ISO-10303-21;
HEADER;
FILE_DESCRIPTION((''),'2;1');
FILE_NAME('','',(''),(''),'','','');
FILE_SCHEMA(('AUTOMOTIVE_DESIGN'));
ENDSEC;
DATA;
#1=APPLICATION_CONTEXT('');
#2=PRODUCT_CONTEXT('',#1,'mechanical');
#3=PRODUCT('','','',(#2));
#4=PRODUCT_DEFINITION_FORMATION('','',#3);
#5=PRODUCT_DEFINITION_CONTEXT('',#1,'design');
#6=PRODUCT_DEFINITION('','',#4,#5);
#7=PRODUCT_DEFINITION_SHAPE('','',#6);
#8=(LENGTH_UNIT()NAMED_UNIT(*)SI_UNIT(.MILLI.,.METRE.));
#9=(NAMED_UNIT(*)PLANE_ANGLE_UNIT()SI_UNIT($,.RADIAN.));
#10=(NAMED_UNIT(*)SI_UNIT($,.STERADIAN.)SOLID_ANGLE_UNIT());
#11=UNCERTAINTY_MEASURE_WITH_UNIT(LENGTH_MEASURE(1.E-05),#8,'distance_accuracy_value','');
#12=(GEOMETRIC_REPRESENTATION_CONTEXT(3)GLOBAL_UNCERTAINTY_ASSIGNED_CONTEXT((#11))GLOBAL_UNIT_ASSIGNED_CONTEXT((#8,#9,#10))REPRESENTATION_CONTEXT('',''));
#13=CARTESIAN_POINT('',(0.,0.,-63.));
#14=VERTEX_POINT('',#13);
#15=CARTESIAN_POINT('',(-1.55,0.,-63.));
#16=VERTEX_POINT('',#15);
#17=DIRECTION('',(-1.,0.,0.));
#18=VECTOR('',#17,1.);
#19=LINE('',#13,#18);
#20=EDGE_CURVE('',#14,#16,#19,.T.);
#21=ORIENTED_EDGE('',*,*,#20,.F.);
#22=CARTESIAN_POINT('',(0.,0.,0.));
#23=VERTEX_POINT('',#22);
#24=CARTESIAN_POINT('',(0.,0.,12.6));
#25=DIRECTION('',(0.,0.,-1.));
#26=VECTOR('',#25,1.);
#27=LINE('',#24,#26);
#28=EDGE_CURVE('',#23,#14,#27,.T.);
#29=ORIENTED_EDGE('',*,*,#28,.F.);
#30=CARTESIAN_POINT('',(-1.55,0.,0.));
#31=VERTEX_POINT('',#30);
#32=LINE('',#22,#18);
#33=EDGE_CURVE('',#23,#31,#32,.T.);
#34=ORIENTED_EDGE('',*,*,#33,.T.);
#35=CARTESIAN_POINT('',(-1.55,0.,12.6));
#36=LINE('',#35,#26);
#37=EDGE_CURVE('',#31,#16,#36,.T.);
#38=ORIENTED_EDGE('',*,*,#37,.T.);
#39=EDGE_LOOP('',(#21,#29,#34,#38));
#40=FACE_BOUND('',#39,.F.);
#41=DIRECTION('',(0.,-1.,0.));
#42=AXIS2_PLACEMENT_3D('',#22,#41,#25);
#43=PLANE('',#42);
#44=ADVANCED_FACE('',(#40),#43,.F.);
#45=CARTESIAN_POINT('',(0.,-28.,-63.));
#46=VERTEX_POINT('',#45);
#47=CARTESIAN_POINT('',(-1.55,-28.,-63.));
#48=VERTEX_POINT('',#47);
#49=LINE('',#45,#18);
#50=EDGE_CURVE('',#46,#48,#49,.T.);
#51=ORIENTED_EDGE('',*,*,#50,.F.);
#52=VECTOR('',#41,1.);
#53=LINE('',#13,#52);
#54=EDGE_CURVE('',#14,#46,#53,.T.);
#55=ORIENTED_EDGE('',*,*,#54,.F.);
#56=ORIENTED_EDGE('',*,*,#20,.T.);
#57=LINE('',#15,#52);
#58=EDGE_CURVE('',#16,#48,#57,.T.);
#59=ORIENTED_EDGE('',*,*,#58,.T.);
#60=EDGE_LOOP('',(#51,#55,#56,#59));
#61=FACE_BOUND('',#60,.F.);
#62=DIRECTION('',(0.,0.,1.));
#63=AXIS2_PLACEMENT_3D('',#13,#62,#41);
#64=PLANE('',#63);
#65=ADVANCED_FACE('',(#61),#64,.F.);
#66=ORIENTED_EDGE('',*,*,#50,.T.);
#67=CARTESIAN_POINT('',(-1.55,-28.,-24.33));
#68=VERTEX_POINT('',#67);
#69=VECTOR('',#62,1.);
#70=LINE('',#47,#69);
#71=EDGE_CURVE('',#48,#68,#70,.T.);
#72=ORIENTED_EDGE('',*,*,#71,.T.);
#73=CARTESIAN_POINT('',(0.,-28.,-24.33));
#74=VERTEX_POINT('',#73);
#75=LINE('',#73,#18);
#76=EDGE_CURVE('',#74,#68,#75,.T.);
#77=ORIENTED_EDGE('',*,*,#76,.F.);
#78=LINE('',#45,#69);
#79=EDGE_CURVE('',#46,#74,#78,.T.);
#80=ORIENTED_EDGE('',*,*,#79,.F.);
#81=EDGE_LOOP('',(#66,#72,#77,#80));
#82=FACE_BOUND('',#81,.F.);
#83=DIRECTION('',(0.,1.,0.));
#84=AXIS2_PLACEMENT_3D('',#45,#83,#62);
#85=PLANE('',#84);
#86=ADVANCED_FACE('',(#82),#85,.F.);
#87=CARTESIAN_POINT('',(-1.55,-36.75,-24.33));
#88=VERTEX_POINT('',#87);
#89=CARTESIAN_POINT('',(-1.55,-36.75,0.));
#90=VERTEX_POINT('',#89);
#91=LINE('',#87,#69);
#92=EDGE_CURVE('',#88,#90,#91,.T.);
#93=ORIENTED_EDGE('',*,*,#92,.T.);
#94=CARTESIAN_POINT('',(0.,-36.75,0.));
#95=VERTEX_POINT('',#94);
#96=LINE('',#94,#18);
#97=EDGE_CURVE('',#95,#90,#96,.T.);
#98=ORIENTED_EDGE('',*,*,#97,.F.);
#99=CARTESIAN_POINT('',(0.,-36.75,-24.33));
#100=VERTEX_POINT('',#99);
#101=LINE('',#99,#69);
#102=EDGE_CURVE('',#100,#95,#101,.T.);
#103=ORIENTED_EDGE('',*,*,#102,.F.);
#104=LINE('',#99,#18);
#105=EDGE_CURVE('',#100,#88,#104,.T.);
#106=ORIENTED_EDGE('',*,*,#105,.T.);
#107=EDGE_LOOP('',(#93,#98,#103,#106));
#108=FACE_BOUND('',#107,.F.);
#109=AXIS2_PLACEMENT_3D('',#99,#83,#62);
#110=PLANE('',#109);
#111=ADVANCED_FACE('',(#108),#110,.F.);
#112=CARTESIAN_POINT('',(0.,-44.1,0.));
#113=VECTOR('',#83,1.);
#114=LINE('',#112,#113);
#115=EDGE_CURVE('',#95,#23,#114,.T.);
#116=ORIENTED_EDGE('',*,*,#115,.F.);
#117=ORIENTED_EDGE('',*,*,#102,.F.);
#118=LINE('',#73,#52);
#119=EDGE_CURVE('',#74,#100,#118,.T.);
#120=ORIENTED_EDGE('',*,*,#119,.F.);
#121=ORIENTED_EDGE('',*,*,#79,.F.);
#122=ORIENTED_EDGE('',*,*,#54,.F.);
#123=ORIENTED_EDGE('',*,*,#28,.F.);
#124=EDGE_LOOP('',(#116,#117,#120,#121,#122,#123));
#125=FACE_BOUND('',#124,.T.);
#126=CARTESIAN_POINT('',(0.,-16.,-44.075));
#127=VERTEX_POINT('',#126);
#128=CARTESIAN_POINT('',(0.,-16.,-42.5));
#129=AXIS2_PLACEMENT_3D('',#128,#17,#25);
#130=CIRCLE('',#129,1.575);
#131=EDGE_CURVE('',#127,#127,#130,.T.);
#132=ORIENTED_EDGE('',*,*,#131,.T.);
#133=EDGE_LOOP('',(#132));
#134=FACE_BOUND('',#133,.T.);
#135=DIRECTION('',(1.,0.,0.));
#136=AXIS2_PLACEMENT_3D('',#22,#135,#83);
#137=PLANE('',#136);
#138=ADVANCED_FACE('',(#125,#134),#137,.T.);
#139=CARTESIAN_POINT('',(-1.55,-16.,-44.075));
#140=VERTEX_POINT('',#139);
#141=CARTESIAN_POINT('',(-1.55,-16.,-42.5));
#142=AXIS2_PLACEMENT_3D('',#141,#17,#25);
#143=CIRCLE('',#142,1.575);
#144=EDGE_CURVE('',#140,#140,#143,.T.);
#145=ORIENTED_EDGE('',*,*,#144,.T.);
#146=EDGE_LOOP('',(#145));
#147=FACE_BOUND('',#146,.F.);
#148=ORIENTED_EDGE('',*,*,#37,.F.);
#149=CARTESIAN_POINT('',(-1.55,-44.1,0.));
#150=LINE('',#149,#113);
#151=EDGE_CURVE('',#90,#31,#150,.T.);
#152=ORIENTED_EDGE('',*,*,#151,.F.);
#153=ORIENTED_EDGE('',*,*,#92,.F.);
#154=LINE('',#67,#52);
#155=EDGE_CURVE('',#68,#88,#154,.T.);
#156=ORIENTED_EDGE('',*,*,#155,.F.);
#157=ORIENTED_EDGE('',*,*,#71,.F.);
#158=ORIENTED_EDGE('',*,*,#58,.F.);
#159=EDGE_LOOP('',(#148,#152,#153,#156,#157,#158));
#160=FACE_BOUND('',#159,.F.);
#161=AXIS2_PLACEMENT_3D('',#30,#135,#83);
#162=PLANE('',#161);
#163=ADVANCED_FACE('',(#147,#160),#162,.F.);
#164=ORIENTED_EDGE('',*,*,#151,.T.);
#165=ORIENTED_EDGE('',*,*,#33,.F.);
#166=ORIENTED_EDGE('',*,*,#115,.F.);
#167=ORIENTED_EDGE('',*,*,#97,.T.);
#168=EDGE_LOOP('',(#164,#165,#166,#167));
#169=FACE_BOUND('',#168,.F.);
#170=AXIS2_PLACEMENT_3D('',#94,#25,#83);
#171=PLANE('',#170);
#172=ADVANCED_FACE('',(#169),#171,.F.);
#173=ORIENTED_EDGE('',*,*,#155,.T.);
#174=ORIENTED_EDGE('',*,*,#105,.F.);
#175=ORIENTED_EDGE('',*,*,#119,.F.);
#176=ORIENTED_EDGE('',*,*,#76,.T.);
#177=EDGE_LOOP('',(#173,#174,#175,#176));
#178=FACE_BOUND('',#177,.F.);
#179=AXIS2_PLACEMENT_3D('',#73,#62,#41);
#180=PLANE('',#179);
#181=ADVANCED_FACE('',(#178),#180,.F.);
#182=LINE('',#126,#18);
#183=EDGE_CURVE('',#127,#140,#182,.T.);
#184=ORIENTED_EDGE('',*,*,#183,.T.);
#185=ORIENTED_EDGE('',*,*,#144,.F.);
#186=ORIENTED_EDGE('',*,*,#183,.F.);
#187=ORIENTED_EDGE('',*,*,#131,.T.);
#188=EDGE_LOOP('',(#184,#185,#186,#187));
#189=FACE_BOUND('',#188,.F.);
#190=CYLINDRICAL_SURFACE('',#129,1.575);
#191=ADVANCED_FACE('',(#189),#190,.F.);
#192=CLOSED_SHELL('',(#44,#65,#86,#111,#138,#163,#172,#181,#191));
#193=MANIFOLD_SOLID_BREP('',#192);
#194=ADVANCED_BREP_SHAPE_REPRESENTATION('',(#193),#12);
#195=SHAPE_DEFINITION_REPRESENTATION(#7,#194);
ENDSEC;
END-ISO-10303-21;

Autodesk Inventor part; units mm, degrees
ref_plane "YZ Plane" through (0, 0, 0) normal (1, 0, 0) x (0, 1, 0)
ref_plane "XZ Plane" through (0, 0, 0) normal (0, 1, 0) x (-1, 0, 0)
ref_plane "XY Plane" through (0, 0, 0) normal (0, 0, 1) x (1, 0, 0)
sketch "Sketch1" plane through (0, 0, 0) normal (1, 0, 0) x (0, 1, 0)
  line L0 (0, 12.6) -> (0, -75.6) projected
  line L1 (-44.1, 0) -> (7.35, 0) projected
  line L2 (0, 0) -> (0, -63)
  line L3 (0, -63) -> (-28, -63)
  line L4 (-28, -63) -> (-28, -24.33)
  line L5 (-28, -24.33) -> (-36.75, -24.33)
  line L6 (-36.75, -24.33) -> (-36.75, 0)
  line L7 (-36.75, 0) -> (0, 0)
  circle A0 centre (-16, -42.5) radius 1.575 construction
  dimension "d0" = 63
  dimension "d1" = 28
  dimension "d2" = 36.75
  dimension "d3" = 24.33
  dimension "d4" = 42.5
  dimension "d5" = 16
  dimension "d6" = 3.15
extrude "Extrusion1" add sketch "Sketch1" against normal blind 1.55
hole "Hole1" at (0, -16, -42.5) direction (-1, 0, 0) diameter 3.15 end through all
properties part number "J010361" material "FR4"
